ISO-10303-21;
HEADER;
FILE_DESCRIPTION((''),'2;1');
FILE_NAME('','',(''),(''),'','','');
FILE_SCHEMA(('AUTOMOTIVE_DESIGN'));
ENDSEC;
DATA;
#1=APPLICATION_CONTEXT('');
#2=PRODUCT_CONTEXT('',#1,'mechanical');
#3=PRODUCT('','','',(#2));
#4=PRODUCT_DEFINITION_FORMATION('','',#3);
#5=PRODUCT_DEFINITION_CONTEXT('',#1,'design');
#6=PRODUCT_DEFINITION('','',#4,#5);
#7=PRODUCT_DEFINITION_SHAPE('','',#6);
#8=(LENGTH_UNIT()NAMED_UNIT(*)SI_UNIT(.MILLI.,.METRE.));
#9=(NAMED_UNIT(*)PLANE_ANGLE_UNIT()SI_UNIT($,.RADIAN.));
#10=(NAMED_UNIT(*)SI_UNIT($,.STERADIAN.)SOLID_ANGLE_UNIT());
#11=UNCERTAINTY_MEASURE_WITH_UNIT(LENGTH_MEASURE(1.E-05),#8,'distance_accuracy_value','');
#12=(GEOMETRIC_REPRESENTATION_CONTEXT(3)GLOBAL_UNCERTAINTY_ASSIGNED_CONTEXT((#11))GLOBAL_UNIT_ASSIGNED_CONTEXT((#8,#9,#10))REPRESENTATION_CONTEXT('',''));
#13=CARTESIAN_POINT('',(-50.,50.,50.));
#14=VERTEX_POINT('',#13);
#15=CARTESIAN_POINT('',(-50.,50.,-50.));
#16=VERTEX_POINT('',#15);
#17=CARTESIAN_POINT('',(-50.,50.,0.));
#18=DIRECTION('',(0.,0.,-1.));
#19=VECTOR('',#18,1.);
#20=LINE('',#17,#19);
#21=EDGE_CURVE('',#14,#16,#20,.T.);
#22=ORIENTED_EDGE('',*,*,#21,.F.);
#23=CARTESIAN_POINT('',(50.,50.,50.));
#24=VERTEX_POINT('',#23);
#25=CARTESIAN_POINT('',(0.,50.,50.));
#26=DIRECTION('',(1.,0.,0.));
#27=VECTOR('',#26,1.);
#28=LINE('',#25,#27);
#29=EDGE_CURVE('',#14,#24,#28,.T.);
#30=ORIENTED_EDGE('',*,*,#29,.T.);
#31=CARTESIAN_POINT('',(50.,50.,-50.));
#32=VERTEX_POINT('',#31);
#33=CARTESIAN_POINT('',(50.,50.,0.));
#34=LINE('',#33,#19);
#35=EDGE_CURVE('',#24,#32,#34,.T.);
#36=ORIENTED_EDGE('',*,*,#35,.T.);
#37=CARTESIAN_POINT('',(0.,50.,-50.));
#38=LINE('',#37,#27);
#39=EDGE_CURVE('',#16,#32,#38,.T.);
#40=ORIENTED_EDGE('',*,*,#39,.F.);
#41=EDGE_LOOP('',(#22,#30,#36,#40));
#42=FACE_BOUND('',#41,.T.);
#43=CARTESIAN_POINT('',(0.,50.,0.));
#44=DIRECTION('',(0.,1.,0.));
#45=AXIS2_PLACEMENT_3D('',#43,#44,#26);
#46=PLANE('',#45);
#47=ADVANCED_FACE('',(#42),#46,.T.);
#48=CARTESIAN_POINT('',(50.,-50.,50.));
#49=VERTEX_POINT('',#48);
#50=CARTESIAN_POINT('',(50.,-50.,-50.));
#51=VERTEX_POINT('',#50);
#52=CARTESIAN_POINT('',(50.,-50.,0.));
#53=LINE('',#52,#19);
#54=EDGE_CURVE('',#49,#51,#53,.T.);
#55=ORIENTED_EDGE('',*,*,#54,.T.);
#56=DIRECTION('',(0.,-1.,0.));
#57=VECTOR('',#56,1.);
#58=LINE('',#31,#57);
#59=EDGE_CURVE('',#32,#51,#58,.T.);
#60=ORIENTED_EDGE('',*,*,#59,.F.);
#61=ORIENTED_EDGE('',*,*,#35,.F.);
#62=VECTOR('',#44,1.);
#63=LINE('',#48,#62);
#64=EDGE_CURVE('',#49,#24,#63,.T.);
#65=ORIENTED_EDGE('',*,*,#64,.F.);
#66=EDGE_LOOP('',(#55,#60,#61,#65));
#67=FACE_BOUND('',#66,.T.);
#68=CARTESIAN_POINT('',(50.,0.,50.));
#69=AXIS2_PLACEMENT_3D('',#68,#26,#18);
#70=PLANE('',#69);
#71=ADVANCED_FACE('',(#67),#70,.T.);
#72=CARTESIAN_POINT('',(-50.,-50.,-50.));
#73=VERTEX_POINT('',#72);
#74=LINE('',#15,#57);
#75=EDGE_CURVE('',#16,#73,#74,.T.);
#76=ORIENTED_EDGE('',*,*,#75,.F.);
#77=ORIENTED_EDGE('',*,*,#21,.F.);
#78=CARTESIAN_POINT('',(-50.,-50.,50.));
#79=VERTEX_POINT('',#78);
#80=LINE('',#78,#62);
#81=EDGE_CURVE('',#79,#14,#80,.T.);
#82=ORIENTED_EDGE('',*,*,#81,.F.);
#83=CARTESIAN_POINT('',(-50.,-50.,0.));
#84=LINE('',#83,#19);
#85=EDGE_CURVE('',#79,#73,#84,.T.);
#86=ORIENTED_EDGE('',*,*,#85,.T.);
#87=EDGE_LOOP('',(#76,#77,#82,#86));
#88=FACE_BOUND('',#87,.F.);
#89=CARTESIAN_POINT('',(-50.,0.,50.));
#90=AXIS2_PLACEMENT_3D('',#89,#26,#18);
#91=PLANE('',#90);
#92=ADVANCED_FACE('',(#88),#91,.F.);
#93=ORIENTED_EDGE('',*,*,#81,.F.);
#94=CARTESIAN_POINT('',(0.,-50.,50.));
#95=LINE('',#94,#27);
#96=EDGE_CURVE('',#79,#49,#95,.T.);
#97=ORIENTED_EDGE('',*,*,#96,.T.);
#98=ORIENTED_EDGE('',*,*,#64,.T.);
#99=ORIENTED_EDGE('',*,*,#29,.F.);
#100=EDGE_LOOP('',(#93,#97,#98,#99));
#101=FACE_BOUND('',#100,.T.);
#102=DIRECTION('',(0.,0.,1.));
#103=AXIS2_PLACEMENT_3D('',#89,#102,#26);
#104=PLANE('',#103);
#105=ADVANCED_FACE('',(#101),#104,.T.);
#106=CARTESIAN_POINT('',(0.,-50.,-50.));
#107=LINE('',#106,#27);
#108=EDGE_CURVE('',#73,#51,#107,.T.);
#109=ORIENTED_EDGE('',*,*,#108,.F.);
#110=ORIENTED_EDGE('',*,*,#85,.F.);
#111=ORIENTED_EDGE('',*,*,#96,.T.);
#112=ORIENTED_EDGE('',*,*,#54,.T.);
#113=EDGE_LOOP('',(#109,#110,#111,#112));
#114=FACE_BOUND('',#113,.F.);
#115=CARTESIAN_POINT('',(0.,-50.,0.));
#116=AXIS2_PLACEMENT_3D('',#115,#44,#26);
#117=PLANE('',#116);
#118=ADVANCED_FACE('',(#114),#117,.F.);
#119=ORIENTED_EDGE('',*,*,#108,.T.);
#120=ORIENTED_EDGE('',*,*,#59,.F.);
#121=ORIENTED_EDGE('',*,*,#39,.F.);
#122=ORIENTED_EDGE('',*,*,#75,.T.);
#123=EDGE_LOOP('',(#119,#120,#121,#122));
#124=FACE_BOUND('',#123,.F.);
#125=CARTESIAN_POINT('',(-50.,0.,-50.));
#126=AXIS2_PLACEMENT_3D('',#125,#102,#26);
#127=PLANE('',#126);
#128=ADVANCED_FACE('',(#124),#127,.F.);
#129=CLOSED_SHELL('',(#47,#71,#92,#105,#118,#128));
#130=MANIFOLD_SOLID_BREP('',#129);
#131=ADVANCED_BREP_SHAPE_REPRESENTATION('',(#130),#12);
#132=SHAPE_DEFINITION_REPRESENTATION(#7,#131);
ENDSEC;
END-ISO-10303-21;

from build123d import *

# Parameters (mm, degrees)
SKETCH1_W           = 100
SKETCH1_H           = 100
BOSS_EXTRUDE1_DEPTH = 50


with BuildPart() as part:
    # Sketch1 → Boss-Extrude1 (new body, symmetric)
    with BuildSketch(Plane(origin=(0, 0, 0), x_dir=(1, 0, 0), z_dir=(0, 1, 0))):
        Rectangle(SKETCH1_W, SKETCH1_H)
    extrude(amount=BOSS_EXTRUDE1_DEPTH, both=True)


solid = part.part
